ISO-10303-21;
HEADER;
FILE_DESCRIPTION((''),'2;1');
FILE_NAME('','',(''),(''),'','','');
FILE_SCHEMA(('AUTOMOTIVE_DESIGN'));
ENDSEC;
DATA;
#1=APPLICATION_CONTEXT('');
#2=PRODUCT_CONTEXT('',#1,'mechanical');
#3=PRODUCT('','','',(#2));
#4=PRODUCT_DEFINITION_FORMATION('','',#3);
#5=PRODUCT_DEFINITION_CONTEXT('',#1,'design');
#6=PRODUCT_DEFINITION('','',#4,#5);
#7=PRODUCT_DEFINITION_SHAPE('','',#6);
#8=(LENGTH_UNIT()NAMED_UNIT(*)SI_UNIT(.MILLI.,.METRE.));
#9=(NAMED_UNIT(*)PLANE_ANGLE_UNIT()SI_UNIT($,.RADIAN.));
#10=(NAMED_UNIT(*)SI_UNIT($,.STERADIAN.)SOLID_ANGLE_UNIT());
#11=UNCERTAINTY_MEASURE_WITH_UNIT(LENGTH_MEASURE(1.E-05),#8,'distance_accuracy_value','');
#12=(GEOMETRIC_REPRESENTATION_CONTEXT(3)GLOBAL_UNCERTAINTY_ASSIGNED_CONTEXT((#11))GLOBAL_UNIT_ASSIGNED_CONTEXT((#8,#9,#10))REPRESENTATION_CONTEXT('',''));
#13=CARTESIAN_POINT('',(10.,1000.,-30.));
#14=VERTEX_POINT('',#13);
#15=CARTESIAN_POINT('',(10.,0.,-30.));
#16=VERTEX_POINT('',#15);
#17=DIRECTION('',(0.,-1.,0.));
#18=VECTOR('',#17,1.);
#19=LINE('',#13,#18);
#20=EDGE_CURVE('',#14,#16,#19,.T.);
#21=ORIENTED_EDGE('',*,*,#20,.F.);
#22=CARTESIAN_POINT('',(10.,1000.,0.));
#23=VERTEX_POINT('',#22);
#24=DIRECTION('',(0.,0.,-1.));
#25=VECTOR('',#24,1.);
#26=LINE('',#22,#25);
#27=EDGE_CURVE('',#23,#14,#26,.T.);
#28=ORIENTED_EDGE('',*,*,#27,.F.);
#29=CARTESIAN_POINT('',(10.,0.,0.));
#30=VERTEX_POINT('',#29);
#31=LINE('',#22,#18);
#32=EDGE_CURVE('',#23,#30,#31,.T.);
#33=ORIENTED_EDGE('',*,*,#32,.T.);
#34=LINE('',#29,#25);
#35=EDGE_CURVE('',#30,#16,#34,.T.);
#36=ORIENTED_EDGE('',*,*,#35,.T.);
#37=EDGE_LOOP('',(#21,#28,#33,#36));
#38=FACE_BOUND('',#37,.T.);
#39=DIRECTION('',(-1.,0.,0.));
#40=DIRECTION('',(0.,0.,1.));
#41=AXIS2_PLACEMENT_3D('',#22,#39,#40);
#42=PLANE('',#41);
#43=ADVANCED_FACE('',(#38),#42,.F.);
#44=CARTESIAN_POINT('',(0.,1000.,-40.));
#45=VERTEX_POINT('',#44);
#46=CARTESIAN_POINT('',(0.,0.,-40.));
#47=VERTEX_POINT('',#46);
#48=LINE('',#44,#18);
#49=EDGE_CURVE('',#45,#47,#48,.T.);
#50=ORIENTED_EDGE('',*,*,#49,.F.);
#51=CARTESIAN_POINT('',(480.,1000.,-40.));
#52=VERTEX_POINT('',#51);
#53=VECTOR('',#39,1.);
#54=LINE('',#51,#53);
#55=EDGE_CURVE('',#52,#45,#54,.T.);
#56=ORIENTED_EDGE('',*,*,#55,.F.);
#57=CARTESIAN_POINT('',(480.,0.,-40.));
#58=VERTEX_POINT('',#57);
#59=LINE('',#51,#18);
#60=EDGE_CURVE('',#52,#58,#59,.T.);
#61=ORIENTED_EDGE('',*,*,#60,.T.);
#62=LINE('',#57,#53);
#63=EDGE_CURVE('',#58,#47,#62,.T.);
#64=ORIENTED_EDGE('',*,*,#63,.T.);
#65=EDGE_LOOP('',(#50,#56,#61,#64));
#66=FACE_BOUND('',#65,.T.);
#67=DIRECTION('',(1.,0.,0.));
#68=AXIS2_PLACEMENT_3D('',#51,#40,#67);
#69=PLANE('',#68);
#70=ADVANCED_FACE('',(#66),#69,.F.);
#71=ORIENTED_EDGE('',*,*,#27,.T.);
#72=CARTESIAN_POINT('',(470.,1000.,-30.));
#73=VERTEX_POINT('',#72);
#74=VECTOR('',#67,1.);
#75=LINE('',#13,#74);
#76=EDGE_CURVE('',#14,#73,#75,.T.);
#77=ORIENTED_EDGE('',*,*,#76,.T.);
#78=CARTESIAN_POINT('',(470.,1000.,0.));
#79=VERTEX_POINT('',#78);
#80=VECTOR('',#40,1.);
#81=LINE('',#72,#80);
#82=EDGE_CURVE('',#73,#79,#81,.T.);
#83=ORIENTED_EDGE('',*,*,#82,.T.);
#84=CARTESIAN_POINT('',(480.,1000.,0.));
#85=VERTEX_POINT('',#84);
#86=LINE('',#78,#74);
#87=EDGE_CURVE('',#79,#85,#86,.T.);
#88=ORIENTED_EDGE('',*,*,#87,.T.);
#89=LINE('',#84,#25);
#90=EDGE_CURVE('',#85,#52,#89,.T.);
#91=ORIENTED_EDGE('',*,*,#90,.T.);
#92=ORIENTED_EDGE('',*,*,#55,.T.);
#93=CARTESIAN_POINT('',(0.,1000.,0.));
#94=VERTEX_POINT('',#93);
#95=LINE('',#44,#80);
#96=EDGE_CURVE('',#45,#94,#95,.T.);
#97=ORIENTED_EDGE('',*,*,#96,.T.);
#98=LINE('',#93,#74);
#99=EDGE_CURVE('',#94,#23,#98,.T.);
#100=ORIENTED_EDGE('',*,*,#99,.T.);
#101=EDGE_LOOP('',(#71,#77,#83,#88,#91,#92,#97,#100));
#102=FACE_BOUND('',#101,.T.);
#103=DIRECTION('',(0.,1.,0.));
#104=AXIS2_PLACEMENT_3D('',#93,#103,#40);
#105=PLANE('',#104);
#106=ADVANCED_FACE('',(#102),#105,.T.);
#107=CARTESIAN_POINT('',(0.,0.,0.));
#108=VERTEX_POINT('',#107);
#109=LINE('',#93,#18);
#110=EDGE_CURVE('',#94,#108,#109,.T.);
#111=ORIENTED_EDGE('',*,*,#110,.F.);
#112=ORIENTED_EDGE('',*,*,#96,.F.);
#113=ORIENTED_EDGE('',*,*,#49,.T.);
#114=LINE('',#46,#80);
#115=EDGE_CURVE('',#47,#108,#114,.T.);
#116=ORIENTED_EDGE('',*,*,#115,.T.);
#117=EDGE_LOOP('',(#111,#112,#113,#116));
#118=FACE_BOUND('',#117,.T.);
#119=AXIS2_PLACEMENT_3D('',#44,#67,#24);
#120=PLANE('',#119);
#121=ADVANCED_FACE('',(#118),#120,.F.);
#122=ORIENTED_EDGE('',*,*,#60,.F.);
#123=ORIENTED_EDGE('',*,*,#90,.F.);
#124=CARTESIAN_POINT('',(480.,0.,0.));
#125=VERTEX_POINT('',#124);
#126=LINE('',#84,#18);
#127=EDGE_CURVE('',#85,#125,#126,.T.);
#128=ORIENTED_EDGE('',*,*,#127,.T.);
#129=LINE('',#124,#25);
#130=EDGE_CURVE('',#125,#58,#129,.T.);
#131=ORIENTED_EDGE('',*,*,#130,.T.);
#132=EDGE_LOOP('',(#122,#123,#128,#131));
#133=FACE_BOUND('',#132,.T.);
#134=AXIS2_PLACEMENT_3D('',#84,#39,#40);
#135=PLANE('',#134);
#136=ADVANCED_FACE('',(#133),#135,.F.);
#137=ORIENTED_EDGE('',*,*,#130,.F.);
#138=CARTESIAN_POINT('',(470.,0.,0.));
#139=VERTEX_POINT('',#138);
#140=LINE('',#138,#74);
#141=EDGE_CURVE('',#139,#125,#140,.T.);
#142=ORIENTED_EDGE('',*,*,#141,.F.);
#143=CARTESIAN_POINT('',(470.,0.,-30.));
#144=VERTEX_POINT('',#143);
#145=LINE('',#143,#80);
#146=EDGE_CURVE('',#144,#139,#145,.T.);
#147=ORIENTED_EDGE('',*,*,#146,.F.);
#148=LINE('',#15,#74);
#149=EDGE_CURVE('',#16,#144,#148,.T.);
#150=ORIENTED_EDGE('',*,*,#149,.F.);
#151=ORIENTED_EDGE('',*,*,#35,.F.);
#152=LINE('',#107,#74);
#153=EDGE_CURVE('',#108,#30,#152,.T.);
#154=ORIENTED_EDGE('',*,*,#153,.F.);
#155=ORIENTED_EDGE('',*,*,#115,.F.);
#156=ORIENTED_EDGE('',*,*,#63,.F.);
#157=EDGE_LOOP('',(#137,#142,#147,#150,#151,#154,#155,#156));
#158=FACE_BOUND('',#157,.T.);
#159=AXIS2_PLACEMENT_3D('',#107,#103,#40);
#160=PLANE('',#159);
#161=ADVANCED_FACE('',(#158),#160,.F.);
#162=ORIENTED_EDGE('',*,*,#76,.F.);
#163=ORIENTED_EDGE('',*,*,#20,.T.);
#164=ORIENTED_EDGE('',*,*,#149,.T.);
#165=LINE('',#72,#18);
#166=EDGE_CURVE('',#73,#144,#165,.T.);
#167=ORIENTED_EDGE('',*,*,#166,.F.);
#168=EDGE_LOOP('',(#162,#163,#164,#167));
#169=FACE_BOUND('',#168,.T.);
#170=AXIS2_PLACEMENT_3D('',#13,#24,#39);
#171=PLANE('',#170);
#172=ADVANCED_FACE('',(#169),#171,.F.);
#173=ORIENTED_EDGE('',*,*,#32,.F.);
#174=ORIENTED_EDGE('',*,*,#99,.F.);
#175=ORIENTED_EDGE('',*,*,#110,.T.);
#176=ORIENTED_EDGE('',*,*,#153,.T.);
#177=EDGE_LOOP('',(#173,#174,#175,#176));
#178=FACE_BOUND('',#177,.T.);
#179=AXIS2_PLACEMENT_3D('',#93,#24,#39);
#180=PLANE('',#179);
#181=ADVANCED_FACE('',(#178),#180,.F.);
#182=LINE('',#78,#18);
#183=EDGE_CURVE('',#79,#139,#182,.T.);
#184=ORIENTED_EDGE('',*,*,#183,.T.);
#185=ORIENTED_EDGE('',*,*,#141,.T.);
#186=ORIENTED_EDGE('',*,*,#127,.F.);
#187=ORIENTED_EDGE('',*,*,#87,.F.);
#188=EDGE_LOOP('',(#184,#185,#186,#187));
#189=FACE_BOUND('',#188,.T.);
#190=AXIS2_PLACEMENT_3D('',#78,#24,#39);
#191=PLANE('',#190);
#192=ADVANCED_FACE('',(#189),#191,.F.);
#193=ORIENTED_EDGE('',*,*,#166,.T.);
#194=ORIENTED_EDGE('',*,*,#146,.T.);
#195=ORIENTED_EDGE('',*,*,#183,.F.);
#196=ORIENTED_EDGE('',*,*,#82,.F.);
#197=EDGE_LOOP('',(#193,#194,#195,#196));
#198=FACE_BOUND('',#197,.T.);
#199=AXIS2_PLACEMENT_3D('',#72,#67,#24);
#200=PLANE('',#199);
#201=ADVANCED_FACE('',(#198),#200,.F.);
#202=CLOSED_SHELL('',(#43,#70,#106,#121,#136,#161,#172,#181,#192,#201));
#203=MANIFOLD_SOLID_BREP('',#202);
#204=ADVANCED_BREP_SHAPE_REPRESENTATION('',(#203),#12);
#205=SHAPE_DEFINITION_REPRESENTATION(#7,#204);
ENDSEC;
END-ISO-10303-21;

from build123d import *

# Parameters (mm, degrees)
AUFSATZ_LINEAR_AUSTRAGEN1_DEPTH = 1000


with BuildPart() as part:
    # Skizze1 → Aufsatz-Linear austragen1 (new body)
    with BuildSketch(Plane(origin=(0, 0, 0), x_dir=(1, 0, 0), z_dir=(0, 1, 0))):
        Polygon((0, 0), (10, 0), (10, 30), (470, 30), (470, 0), (480, 0), (480, 40), (0, 40), align=None)
    extrude(amount=AUFSATZ_LINEAR_AUSTRAGEN1_DEPTH)


solid = part.part
